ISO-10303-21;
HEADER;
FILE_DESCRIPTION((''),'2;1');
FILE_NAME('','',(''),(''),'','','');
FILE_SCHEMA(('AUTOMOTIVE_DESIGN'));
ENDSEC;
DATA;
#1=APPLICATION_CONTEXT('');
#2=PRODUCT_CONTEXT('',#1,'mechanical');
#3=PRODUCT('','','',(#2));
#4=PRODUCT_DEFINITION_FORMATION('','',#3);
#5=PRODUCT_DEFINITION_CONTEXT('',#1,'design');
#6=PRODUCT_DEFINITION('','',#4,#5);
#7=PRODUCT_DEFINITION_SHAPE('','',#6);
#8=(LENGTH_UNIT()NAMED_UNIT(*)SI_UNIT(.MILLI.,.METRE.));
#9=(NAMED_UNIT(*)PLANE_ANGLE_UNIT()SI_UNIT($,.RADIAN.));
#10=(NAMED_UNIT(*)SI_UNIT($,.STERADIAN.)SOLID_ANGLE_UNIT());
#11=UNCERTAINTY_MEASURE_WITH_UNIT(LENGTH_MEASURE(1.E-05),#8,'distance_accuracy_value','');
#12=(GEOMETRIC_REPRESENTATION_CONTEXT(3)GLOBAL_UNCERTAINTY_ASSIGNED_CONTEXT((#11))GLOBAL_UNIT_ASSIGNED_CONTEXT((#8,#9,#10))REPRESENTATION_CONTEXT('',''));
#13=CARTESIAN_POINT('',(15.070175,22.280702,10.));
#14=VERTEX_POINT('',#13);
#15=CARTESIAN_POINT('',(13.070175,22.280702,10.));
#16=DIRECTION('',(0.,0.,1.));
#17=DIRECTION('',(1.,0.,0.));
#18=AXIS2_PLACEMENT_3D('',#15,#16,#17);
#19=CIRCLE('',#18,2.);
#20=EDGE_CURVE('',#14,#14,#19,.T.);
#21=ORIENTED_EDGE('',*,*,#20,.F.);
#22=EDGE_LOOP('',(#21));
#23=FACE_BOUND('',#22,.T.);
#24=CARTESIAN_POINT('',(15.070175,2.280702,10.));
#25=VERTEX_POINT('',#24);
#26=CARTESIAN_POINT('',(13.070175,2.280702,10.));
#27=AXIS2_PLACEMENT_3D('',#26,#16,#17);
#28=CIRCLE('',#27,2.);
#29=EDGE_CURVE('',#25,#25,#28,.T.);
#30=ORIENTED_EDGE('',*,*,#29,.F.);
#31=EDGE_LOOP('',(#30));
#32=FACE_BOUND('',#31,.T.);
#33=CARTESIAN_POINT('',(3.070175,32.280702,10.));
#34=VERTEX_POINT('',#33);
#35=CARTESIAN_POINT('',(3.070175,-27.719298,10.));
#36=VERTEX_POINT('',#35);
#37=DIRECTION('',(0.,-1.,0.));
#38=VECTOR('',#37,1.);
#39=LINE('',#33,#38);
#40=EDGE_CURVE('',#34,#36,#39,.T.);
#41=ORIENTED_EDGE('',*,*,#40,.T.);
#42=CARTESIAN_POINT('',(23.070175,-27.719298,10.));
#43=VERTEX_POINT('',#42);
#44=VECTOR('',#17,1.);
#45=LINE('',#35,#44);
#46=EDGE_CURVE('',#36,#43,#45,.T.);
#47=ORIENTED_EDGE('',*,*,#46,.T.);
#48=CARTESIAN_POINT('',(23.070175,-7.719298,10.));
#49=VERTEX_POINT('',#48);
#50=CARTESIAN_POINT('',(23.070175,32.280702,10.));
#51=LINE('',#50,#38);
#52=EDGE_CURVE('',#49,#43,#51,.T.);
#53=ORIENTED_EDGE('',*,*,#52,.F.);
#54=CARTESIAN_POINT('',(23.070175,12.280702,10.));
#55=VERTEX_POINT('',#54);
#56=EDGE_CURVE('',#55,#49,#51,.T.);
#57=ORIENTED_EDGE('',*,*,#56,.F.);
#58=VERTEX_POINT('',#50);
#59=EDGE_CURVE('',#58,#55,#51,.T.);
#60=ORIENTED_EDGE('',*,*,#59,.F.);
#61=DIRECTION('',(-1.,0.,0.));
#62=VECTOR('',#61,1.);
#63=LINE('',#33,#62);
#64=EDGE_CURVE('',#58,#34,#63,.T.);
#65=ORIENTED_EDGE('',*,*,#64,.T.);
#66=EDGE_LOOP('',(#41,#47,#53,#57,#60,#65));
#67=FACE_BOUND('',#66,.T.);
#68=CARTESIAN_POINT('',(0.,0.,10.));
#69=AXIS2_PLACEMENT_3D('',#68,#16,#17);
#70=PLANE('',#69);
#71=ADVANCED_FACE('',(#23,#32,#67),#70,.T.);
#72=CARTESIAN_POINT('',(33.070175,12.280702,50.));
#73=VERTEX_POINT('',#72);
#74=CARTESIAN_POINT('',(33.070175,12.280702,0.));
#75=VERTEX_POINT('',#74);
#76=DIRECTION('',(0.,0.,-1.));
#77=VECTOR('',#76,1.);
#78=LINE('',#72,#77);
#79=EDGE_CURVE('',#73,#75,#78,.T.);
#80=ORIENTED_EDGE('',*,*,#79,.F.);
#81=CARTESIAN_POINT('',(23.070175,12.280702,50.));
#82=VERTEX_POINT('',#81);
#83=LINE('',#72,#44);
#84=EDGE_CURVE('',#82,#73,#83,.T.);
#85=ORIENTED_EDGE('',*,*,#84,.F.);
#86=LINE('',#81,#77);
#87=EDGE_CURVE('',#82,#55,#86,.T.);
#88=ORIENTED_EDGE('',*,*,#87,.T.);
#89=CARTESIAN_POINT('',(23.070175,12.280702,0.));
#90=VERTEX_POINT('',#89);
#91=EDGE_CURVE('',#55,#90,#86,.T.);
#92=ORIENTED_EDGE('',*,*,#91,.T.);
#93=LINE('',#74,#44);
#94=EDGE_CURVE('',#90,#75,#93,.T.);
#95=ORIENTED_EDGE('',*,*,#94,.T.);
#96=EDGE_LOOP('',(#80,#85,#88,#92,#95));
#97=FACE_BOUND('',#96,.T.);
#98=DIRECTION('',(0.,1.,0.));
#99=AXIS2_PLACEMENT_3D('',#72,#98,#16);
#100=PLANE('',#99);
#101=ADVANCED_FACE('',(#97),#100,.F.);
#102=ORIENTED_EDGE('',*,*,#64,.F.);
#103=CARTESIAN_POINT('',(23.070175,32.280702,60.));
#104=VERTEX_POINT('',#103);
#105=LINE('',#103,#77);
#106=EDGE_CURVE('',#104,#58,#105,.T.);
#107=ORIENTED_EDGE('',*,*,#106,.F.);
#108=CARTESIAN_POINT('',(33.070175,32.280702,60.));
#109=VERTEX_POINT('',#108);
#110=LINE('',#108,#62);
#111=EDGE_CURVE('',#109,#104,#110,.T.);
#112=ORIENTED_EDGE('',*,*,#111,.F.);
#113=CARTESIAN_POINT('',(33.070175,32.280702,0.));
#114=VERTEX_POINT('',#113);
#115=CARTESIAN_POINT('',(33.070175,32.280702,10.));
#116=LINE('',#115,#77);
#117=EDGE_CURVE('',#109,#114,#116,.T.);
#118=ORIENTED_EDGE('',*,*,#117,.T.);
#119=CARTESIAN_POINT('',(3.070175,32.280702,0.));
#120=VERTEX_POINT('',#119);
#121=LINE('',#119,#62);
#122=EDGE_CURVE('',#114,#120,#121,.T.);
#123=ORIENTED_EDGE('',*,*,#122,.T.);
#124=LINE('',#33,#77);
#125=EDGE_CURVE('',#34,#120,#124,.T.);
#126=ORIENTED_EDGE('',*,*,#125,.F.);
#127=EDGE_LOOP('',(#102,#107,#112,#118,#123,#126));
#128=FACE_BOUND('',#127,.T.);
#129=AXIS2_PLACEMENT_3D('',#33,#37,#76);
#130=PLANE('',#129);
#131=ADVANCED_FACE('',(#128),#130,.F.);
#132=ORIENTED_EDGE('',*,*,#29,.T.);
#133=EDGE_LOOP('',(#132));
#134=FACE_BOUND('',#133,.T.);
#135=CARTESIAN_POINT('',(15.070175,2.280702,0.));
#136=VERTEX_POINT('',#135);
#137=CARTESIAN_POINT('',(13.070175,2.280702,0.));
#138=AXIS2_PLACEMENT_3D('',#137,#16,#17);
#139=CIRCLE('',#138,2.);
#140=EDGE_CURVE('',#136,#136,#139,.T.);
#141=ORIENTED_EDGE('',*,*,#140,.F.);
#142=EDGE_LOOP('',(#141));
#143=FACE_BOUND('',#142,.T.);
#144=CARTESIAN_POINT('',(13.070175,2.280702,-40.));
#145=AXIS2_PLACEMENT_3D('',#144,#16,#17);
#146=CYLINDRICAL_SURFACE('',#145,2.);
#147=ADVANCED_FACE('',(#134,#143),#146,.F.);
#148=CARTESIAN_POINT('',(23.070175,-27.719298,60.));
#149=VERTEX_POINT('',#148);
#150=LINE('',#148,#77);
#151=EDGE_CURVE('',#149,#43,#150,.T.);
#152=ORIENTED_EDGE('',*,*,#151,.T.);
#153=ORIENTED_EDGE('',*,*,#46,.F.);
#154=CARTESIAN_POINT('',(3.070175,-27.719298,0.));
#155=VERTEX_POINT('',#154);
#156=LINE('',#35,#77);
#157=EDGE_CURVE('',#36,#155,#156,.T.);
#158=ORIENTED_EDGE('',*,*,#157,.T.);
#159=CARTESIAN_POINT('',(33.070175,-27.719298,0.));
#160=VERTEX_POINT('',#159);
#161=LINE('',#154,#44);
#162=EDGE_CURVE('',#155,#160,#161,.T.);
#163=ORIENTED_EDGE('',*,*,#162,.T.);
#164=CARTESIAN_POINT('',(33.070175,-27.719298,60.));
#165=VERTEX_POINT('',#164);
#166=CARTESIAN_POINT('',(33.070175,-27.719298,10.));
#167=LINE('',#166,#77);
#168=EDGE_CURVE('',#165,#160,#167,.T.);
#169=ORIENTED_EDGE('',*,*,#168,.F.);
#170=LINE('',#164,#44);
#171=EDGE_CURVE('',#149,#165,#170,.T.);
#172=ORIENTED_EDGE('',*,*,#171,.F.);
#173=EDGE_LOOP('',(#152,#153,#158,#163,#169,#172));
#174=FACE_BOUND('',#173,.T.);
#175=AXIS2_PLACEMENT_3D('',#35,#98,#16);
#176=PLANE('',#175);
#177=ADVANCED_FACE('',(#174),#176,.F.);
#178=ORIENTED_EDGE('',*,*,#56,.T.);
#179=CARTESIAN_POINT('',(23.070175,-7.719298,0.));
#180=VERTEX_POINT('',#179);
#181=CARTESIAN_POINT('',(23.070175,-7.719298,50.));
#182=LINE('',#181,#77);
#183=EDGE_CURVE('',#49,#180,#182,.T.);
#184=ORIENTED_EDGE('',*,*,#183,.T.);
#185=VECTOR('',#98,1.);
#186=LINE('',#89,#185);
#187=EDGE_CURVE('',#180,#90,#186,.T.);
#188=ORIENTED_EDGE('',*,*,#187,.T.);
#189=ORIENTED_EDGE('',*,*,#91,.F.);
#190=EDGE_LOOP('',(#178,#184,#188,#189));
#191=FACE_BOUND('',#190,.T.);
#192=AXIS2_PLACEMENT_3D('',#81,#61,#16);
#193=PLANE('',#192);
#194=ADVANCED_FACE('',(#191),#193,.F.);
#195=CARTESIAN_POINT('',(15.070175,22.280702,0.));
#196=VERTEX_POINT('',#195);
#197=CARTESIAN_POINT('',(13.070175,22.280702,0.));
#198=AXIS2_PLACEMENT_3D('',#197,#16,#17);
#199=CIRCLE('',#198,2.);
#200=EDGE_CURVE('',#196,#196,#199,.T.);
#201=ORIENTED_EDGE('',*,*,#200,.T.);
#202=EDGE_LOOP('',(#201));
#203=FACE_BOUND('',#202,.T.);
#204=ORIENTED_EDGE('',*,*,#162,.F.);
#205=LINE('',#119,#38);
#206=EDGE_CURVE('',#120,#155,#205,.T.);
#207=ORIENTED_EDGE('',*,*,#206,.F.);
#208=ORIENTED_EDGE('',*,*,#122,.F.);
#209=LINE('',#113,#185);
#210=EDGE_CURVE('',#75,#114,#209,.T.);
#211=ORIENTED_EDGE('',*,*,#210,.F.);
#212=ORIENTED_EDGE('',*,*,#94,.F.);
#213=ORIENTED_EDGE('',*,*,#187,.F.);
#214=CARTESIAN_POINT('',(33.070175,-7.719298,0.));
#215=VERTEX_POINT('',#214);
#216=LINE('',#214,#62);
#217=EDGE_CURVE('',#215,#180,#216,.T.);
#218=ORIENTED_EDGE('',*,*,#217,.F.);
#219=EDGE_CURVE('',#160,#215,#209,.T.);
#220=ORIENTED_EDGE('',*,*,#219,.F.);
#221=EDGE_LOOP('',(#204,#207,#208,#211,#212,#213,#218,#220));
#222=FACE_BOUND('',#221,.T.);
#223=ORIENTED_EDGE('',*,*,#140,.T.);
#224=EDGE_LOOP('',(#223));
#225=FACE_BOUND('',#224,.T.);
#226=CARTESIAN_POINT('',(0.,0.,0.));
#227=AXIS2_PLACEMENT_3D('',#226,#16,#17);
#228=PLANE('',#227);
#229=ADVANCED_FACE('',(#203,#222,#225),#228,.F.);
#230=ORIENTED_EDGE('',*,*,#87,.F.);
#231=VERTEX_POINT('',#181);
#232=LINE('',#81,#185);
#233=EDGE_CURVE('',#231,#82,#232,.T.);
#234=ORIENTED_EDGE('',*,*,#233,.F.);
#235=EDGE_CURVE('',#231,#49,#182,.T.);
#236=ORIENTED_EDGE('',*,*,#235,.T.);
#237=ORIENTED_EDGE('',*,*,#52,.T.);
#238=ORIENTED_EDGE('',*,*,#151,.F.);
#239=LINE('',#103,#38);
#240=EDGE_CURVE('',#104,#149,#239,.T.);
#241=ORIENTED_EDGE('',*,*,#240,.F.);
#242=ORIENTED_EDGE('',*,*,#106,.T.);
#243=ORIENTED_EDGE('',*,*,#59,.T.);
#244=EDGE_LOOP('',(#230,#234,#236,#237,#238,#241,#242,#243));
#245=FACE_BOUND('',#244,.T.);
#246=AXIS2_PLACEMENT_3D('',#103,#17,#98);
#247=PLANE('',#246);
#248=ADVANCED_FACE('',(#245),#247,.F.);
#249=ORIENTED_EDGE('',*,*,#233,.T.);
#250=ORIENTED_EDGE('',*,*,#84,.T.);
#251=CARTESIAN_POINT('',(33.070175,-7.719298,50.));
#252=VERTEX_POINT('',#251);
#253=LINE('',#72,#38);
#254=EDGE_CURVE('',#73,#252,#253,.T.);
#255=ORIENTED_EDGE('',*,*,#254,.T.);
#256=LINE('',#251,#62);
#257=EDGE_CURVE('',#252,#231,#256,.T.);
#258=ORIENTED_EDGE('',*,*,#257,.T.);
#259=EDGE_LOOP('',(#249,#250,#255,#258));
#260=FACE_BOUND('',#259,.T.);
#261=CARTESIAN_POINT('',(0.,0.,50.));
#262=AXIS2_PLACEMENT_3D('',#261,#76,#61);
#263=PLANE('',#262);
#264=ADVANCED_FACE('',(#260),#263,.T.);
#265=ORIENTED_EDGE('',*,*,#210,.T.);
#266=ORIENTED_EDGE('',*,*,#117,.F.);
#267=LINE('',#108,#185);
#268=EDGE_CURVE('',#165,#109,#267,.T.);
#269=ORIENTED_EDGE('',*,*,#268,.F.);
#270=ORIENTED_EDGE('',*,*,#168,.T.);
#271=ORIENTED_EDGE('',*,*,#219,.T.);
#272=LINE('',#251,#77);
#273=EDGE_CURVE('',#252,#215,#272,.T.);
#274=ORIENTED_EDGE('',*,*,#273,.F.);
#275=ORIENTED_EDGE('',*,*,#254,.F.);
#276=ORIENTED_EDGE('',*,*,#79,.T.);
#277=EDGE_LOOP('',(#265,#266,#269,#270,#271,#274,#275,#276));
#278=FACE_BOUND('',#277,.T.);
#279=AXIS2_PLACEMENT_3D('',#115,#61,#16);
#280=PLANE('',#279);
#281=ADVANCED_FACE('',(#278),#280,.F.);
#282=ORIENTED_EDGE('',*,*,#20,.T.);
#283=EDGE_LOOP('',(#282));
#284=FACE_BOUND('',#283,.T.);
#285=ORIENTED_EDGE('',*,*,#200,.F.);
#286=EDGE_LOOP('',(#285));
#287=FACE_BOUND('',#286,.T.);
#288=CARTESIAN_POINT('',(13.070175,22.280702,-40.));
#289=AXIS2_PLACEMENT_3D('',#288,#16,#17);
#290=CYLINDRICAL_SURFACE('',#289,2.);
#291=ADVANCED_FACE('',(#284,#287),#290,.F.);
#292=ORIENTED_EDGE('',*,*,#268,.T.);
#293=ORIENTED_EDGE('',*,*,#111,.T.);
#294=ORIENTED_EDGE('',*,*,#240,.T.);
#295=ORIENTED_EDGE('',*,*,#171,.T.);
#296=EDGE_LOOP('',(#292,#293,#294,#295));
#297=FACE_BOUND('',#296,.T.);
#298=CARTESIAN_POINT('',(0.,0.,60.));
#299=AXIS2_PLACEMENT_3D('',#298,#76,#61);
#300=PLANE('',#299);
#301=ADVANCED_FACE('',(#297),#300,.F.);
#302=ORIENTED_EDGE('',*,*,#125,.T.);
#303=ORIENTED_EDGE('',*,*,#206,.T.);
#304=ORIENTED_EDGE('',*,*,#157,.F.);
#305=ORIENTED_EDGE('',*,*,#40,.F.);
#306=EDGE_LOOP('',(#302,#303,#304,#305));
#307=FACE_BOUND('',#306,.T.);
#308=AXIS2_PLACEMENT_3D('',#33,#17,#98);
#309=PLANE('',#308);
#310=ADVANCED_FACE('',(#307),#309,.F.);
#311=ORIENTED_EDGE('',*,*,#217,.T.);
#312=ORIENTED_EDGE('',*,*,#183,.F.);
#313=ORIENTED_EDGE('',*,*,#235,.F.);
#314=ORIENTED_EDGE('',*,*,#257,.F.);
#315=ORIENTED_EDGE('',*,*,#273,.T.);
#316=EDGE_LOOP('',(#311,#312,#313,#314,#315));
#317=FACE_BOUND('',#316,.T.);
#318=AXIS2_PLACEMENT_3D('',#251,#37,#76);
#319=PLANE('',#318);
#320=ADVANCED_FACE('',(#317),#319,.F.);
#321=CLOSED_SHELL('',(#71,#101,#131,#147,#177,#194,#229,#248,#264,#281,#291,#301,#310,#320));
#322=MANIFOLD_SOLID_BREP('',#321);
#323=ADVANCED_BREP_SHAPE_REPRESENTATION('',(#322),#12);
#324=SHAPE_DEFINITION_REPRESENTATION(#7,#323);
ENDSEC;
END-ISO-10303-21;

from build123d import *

# Parameters (mm, degrees)
SKETCH1_W           = 30
SKETCH1_H           = 60
BOSS_EXTRUDE1_DEPTH = 10
SKETCH2_W           = 10
SKETCH2_H           = 60
BOSS_EXTRUDE2_DEPTH = 50
SKETCH3_R           = 2
CUT_EXTRUDE1_DEPTH  = 50
SKETCH4_W           = 10
SKETCH4_H           = 20
CUT_EXTRUDE2_DEPTH  = 50


with BuildPart() as part:
    # Sketch1 → Boss-Extrude1 (new body)
    with BuildSketch(Plane.XY):
        with Locations((18.070175439, 2.280701754)):
            Rectangle(SKETCH1_W, SKETCH1_H)
    extrude(amount=BOSS_EXTRUDE1_DEPTH)

    # Sketch2 → Boss-Extrude2 (add)
    with BuildSketch(Plane.XY.offset(10)):
        with Locations((28.070175439, 2.280701754)):
            Rectangle(SKETCH2_W, SKETCH2_H)
    extrude(amount=BOSS_EXTRUDE2_DEPTH)

    # Sketch3 → Cut-Extrude1 (cut)
    with BuildSketch(Plane.XY.offset(10)):
        with Locations((13.070175439, 22.280701754)):
            Circle(SKETCH3_R)
        with Locations((13.070175439, 2.280701754)):
            Circle(SKETCH3_R)
    extrude(amount=-CUT_EXTRUDE1_DEPTH, mode=Mode.SUBTRACT)

    # Sketch4 → Cut-Extrude2 (cut)
    with BuildSketch(Plane(origin=(0, 0, 0), x_dir=(-1, 0, 0), z_dir=(0, 0, -1))):
        with Locations((-28.070175439, 2.280701754)):
            Rectangle(SKETCH4_W, SKETCH4_H)
    extrude(amount=-CUT_EXTRUDE2_DEPTH, mode=Mode.SUBTRACT)


solid = part.part
